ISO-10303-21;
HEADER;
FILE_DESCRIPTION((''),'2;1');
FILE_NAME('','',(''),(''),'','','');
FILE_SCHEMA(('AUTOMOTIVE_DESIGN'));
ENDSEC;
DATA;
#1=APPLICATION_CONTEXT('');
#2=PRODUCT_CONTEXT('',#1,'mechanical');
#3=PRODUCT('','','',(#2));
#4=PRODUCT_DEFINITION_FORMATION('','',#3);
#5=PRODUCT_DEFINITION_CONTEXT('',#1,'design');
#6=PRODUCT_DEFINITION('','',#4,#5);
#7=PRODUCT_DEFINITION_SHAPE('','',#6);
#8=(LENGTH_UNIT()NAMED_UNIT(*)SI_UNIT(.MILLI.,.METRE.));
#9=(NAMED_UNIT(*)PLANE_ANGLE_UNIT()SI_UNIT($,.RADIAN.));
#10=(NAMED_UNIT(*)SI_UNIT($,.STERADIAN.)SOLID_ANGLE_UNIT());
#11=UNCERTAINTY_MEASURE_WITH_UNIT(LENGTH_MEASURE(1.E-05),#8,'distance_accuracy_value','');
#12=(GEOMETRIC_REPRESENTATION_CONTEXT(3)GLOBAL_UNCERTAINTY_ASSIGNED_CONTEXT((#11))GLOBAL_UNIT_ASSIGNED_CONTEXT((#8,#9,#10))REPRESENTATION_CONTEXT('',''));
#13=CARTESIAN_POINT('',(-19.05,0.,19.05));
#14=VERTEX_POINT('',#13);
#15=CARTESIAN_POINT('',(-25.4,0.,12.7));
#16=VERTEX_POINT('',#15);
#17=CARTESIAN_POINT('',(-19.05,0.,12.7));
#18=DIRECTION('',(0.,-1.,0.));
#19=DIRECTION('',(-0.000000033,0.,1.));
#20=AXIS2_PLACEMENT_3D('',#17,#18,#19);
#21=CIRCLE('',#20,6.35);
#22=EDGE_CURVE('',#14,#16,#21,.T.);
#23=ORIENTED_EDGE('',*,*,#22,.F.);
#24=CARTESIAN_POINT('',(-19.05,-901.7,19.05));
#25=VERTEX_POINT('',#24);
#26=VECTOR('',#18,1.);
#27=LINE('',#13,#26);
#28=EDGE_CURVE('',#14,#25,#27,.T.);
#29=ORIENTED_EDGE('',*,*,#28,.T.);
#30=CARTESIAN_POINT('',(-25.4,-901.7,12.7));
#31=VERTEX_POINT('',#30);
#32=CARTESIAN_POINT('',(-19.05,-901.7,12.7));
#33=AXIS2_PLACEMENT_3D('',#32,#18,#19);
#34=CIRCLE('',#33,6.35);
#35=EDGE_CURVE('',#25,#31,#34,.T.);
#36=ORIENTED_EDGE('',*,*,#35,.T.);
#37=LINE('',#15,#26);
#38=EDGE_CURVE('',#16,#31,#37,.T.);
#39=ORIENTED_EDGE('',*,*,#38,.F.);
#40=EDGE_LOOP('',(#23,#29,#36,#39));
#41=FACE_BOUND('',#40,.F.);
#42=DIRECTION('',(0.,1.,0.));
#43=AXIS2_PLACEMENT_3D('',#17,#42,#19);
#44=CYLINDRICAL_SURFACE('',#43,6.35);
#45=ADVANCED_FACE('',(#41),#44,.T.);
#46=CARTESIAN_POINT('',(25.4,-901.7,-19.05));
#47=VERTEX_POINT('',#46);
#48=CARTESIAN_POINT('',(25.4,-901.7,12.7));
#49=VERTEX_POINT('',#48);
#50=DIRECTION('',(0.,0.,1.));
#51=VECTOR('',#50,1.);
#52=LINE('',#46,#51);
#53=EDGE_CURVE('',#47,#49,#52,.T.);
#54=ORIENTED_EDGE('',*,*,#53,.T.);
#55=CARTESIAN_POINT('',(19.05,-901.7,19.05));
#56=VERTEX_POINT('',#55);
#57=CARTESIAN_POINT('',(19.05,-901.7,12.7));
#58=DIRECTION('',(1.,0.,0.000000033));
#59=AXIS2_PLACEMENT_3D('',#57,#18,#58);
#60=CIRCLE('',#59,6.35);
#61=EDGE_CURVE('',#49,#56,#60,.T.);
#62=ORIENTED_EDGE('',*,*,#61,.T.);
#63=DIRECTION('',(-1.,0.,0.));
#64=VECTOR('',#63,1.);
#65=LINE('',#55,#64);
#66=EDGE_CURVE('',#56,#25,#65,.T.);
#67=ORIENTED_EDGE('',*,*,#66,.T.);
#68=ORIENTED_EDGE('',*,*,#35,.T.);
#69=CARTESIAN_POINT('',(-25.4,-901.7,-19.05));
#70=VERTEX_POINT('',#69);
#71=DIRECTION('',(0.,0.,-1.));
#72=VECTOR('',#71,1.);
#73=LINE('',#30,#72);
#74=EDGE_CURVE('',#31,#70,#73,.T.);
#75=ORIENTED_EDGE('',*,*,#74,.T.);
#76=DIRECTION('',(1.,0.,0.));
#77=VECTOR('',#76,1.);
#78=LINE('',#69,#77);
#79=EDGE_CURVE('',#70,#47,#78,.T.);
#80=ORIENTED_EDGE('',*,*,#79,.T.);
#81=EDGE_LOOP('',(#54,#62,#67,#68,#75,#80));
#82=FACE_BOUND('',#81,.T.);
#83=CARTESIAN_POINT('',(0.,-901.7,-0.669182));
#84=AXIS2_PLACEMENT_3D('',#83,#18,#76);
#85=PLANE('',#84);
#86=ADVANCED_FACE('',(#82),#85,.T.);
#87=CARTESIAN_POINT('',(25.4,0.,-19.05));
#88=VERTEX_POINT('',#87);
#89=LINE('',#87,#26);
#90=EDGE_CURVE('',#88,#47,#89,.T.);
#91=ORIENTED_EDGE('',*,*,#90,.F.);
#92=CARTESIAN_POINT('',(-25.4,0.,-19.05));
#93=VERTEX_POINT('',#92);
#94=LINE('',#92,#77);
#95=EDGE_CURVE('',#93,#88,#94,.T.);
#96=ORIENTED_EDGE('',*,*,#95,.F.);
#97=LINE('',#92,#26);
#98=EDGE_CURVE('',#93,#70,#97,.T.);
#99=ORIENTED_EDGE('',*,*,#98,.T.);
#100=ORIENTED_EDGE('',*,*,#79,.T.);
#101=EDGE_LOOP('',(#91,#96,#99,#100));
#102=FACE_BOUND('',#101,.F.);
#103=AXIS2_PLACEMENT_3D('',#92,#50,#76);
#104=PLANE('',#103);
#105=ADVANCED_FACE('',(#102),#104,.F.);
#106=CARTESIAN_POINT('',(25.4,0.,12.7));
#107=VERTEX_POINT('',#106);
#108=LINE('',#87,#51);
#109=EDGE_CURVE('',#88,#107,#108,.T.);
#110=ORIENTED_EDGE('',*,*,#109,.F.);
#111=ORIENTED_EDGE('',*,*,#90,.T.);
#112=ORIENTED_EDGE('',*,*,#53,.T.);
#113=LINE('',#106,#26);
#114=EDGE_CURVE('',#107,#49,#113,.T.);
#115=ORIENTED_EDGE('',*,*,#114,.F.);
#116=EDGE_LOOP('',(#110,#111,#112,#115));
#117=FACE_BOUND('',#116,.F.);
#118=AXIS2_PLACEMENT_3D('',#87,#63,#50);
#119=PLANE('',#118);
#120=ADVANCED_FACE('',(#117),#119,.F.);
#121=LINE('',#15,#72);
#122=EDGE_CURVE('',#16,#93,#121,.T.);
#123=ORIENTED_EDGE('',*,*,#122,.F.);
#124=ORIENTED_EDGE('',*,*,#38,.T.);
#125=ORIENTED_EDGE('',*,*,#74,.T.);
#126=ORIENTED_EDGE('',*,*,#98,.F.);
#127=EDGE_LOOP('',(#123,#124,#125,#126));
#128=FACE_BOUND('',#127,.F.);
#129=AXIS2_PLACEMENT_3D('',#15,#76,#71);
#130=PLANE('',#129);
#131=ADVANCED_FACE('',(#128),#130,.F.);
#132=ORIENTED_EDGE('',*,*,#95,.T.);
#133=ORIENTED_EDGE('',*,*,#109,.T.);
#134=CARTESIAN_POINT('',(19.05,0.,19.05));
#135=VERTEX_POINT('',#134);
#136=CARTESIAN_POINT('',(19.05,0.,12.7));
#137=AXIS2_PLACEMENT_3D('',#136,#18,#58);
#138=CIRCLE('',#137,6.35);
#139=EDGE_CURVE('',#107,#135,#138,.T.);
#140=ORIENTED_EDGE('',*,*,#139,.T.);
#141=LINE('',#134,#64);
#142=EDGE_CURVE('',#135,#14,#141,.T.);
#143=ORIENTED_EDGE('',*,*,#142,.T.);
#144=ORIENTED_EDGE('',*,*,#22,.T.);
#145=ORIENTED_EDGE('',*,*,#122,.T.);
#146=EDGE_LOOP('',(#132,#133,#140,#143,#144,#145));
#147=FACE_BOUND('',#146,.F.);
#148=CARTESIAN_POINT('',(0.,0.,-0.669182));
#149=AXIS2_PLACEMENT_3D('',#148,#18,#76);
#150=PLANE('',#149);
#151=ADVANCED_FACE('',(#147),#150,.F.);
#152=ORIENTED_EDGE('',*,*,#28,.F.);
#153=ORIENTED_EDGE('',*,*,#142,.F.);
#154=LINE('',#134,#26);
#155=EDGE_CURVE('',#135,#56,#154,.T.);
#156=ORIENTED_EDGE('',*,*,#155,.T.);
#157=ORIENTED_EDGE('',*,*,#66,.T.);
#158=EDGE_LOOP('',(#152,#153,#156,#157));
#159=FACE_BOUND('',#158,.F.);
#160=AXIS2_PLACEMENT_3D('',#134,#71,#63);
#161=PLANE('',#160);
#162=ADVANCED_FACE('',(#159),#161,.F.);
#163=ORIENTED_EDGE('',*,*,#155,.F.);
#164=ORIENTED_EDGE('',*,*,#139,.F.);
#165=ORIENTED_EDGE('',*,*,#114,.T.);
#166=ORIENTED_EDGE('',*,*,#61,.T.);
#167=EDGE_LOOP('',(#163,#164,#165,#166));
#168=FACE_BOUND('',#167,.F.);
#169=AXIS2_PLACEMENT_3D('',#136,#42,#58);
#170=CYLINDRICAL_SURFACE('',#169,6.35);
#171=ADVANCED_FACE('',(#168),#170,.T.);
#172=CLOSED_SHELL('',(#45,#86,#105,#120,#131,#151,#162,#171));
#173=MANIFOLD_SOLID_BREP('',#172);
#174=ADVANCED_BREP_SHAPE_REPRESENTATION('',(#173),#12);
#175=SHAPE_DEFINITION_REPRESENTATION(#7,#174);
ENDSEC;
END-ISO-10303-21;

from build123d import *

# Parameters (mm, degrees)
F1_DEPTH = 901.7


with BuildPart() as f1:
    # F0 (on Front) → F1 (new body)
    with BuildSketch(Plane.XZ):
        with BuildLine():
            Line((-25.4, 12.7), (-25.4, -19.05))
            Line((-25.4, -19.05), (25.4, -19.05))
            Line((25.4, -19.05), (25.4, 12.7))
            ThreePointArc((25.4, 12.7), (23.540128, 17.190128), (19.05, 19.05))
            Line((19.05, 19.05), (-19.05, 19.05))
            ThreePointArc((-19.05, 19.05), (-23.540128, 17.190128), (-25.4, 12.7))
        make_face()
    extrude(amount=F1_DEPTH)


solid = f1.part
